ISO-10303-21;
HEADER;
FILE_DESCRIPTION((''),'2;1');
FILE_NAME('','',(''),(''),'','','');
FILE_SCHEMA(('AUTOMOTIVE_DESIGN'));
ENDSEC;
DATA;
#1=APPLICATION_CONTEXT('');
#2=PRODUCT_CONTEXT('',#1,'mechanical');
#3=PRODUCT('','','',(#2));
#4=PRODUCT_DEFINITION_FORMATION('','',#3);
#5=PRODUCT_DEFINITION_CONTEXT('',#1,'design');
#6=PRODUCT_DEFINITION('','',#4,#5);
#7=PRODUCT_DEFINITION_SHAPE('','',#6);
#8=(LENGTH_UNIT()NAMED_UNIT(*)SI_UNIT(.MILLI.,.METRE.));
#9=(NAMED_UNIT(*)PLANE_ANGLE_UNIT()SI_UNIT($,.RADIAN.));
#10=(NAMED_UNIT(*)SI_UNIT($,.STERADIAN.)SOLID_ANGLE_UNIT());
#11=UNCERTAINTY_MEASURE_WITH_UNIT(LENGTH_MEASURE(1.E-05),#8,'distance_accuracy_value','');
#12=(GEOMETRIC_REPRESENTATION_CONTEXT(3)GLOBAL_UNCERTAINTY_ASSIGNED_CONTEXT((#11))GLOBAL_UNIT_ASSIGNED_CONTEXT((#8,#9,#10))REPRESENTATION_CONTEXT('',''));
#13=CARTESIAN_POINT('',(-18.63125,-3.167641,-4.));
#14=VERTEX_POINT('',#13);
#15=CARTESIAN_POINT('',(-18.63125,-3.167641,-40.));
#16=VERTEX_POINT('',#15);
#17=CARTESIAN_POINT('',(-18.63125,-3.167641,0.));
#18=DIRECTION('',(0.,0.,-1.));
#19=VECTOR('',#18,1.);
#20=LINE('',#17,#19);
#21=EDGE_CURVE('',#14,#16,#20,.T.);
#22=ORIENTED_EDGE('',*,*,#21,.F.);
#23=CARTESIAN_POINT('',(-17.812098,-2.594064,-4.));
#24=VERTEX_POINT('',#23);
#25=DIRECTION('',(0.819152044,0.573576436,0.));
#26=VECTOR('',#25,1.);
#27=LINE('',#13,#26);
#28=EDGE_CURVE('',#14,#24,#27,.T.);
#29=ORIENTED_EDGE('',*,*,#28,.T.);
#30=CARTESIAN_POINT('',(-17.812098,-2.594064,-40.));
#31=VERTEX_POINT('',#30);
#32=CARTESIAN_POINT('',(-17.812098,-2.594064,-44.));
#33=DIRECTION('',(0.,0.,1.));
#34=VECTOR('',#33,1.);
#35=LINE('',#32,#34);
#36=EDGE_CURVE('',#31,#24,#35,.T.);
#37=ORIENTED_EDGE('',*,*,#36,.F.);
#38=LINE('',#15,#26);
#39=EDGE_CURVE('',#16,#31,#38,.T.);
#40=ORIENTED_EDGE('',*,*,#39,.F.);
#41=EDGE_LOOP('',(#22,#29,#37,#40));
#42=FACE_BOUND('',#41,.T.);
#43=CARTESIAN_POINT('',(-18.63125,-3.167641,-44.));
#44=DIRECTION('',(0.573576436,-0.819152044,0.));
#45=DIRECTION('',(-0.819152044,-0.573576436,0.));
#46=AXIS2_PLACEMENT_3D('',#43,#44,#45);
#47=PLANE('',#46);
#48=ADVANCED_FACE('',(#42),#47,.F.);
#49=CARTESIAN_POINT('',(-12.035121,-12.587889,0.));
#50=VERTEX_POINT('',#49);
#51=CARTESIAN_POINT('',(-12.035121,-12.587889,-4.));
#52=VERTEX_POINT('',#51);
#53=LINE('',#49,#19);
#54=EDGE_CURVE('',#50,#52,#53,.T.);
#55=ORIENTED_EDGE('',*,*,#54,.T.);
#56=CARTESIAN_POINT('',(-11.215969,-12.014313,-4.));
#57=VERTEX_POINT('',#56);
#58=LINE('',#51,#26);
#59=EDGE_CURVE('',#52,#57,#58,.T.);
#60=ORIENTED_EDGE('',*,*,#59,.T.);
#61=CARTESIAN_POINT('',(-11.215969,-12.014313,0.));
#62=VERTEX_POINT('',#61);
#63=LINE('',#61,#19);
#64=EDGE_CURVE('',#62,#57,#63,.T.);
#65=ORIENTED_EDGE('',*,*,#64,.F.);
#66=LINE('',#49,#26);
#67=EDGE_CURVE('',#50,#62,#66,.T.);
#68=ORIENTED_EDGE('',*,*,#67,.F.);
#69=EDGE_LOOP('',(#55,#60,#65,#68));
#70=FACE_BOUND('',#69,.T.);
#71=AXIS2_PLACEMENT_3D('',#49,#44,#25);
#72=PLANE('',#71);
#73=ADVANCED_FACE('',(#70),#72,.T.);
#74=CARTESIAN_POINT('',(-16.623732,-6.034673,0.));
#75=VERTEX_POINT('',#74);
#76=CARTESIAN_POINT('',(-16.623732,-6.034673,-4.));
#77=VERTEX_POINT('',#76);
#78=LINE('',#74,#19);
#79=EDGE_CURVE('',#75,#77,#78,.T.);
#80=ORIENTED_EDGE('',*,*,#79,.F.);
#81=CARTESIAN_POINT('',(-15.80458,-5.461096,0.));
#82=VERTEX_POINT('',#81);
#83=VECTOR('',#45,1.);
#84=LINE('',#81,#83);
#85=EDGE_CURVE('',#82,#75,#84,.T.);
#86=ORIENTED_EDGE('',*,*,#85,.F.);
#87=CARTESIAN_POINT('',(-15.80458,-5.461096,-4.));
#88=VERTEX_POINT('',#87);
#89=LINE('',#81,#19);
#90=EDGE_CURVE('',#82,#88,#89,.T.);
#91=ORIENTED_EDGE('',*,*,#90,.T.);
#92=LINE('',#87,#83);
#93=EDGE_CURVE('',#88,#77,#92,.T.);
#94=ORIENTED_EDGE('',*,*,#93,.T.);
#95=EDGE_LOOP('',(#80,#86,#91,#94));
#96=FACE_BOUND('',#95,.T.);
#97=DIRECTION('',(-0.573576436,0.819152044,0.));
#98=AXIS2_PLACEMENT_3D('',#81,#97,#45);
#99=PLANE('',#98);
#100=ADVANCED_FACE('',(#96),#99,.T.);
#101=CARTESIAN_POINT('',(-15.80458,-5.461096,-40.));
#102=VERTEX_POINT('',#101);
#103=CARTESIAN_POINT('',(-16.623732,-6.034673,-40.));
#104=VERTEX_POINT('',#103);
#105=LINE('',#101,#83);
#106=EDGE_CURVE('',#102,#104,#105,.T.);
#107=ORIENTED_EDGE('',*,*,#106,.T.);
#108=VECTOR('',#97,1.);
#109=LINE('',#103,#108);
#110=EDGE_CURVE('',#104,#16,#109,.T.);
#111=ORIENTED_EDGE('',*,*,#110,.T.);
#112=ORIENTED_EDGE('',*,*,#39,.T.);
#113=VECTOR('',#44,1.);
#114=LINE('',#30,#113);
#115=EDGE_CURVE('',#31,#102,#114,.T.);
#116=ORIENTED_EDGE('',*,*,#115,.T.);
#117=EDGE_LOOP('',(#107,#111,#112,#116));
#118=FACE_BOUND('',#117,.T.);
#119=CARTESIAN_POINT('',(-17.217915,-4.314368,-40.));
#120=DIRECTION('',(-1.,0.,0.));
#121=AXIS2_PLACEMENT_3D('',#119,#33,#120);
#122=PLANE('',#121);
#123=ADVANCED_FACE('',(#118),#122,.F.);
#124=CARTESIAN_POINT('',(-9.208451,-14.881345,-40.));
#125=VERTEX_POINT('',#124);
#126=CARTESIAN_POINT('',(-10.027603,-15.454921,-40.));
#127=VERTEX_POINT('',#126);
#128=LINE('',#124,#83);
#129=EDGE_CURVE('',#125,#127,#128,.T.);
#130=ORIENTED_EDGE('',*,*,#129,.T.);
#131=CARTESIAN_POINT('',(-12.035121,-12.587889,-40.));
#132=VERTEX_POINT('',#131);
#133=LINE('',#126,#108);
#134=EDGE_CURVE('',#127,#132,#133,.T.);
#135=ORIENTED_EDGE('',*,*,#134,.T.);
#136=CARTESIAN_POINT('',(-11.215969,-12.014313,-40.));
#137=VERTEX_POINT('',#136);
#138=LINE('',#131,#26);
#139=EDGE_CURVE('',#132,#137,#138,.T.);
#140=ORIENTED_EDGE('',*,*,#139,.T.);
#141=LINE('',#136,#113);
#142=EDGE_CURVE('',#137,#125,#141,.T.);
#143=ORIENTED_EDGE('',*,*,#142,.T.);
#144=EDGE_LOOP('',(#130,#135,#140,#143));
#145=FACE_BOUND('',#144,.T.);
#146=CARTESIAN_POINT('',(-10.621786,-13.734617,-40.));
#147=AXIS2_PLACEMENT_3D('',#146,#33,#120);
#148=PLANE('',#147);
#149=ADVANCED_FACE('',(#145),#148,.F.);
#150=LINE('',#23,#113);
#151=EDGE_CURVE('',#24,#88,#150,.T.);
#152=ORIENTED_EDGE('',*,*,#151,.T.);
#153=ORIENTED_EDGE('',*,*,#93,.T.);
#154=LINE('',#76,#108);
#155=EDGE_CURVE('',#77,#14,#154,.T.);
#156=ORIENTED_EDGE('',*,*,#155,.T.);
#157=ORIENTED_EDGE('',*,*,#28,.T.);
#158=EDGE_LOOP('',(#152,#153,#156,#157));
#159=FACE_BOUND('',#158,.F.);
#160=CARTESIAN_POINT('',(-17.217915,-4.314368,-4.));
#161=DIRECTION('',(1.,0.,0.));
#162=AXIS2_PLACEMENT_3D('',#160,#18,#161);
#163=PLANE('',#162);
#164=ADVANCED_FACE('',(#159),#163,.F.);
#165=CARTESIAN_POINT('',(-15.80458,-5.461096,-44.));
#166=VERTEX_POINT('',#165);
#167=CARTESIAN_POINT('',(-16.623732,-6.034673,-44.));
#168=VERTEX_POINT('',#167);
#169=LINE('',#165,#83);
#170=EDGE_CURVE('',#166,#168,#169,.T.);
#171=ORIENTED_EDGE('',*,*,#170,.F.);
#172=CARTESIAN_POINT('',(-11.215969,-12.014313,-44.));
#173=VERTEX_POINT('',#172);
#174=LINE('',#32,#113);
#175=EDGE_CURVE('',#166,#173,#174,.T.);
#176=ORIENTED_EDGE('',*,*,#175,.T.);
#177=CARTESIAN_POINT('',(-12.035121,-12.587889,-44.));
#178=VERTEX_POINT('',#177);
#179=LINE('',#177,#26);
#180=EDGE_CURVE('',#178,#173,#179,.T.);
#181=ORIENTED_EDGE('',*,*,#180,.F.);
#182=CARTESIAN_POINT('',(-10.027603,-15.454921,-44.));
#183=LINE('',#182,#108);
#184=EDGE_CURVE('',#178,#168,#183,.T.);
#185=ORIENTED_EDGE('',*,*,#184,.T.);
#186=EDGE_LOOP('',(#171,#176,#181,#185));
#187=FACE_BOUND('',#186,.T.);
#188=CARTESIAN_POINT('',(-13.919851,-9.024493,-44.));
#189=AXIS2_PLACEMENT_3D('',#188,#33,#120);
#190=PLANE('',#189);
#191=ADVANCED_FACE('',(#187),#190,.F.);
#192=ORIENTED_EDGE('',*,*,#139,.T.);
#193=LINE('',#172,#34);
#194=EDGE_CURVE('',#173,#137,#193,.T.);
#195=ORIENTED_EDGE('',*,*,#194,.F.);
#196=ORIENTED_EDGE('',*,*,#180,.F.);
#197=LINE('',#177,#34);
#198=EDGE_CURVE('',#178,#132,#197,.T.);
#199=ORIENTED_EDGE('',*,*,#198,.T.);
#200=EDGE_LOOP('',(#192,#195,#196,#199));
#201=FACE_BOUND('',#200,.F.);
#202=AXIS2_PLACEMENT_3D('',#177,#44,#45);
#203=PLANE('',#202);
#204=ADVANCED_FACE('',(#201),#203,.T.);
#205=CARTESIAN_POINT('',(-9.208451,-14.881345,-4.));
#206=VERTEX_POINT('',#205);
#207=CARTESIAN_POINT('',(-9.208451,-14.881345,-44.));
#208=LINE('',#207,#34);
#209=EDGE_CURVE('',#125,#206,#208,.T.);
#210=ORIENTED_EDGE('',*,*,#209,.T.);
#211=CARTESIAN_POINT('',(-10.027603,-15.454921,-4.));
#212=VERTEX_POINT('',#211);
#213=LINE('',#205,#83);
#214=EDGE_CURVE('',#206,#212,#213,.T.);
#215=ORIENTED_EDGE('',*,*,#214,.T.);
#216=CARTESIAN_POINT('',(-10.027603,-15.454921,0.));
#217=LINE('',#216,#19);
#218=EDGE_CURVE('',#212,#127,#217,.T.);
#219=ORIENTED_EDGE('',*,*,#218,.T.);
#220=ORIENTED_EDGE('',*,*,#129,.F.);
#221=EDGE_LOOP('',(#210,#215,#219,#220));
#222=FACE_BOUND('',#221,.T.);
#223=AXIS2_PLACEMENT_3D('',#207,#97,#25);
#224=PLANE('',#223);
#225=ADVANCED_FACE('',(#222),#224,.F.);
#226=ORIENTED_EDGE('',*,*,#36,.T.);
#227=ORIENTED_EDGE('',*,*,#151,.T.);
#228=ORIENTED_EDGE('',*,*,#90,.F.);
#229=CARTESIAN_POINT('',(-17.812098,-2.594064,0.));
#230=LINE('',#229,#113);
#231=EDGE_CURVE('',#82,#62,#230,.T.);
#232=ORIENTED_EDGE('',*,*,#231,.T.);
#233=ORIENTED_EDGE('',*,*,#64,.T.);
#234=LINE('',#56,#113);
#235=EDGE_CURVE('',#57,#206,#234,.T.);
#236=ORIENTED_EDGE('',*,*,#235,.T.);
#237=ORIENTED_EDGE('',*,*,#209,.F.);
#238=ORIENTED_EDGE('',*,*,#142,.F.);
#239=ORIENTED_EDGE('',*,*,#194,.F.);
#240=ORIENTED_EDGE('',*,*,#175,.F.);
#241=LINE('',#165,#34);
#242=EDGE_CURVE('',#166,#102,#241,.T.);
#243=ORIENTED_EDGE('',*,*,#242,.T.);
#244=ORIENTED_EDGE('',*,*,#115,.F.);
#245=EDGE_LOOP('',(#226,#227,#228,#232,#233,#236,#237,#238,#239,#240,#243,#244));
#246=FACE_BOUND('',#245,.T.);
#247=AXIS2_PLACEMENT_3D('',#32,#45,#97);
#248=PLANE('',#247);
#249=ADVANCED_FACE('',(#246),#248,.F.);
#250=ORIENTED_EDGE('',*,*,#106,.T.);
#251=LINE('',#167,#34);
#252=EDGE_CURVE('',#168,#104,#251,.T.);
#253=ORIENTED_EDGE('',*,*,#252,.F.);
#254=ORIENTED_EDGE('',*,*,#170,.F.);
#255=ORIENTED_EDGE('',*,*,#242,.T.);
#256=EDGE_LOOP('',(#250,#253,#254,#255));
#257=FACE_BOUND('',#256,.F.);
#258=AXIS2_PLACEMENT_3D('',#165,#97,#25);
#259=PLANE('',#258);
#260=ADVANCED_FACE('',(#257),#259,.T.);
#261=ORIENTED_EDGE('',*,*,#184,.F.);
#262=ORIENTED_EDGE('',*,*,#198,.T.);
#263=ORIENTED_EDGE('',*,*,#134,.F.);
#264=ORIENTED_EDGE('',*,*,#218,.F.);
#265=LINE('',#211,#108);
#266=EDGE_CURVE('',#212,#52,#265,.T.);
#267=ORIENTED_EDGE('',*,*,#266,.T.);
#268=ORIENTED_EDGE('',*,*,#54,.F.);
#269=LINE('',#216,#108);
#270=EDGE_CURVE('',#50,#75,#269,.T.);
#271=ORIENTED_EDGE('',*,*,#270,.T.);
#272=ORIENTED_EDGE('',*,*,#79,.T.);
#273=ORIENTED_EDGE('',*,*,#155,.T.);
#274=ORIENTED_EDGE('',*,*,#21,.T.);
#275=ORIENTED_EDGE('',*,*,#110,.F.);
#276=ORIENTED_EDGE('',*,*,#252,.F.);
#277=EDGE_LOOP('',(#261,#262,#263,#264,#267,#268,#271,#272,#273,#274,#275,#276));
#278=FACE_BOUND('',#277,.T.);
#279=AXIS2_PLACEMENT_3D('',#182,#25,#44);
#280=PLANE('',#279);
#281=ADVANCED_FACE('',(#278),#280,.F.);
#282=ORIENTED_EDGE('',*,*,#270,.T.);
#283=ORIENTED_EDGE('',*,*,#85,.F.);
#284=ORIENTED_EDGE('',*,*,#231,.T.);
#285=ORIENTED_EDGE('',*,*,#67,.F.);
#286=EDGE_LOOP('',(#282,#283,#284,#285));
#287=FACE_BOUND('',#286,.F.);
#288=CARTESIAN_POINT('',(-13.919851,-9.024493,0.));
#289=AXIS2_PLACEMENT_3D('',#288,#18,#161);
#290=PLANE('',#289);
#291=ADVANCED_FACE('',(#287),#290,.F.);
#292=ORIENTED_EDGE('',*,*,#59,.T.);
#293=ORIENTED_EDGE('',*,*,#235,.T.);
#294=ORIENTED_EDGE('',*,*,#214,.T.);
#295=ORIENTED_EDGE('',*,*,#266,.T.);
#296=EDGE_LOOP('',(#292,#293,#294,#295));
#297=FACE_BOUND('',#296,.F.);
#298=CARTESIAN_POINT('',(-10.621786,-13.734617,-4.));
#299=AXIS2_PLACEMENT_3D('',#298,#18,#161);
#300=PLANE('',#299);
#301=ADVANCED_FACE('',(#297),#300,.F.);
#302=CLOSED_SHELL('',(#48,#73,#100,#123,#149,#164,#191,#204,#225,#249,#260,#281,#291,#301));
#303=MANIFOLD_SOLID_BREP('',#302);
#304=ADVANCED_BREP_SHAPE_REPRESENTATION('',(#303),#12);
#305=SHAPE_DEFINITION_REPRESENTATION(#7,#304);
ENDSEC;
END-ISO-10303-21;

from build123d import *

# Parameters (mm, degrees)
PAD008_DEPTH               = 22
POCKET008_DEPTH            = 4
BODY004022_PLACEMENT_ANGLE = 180


with BuildPart() as part:
    # Sketch014 → Pad008 (new body)
    with BuildSketch(Plane.XY):
        Polygon((9.2084513411, 14.8813448283), (10.0276033854, 15.4549212646), (18.6312499306, 3.1676406003), (17.8120978864, 2.594064164), align=None)
    pad008 = extrude(amount=-PAD008_DEPTH)

    # Mirrored: Pad008 across face of Pad008
    add(pad008.mirror(Plane(origin=(13.9198506359, 9.0244927143, -22), x_dir=(1, 0, 0), z_dir=(0, 0, -1))))

    # Sketch027 → Pocket008 (cut)
    with BuildSketch(Plane.XY):
        Polygon((9.2084513411, 14.8813448283), (10.0276033854, 15.4549212646), (12.0351209126, 12.5878891096), (11.2159688683, 12.0143126733), align=None)
        Polygon((18.6312499306, 3.1676406003), (17.8120978864, 2.594064164), (15.8045803591, 5.461096319), (16.6237324034, 6.0346727553), align=None)
    pocket008 = extrude(amount=-POCKET008_DEPTH, mode=Mode.SUBTRACT)

    # Mirrored001: Pocket008 across face of Pad008
    add(pocket008.mirror(Plane(origin=(13.9198506359, 9.0244927143, -22), x_dir=(1, 0, 0), z_dir=(0, 0, -1))), mode=Mode.SUBTRACT)


with BuildPart() as part_1:
    # Body004022 placement: moved
    add(part.part.rotate(Axis((0, 0, 0), (0, 0, 1)), BODY004022_PLACEMENT_ANGLE))


solid = part_1.part
